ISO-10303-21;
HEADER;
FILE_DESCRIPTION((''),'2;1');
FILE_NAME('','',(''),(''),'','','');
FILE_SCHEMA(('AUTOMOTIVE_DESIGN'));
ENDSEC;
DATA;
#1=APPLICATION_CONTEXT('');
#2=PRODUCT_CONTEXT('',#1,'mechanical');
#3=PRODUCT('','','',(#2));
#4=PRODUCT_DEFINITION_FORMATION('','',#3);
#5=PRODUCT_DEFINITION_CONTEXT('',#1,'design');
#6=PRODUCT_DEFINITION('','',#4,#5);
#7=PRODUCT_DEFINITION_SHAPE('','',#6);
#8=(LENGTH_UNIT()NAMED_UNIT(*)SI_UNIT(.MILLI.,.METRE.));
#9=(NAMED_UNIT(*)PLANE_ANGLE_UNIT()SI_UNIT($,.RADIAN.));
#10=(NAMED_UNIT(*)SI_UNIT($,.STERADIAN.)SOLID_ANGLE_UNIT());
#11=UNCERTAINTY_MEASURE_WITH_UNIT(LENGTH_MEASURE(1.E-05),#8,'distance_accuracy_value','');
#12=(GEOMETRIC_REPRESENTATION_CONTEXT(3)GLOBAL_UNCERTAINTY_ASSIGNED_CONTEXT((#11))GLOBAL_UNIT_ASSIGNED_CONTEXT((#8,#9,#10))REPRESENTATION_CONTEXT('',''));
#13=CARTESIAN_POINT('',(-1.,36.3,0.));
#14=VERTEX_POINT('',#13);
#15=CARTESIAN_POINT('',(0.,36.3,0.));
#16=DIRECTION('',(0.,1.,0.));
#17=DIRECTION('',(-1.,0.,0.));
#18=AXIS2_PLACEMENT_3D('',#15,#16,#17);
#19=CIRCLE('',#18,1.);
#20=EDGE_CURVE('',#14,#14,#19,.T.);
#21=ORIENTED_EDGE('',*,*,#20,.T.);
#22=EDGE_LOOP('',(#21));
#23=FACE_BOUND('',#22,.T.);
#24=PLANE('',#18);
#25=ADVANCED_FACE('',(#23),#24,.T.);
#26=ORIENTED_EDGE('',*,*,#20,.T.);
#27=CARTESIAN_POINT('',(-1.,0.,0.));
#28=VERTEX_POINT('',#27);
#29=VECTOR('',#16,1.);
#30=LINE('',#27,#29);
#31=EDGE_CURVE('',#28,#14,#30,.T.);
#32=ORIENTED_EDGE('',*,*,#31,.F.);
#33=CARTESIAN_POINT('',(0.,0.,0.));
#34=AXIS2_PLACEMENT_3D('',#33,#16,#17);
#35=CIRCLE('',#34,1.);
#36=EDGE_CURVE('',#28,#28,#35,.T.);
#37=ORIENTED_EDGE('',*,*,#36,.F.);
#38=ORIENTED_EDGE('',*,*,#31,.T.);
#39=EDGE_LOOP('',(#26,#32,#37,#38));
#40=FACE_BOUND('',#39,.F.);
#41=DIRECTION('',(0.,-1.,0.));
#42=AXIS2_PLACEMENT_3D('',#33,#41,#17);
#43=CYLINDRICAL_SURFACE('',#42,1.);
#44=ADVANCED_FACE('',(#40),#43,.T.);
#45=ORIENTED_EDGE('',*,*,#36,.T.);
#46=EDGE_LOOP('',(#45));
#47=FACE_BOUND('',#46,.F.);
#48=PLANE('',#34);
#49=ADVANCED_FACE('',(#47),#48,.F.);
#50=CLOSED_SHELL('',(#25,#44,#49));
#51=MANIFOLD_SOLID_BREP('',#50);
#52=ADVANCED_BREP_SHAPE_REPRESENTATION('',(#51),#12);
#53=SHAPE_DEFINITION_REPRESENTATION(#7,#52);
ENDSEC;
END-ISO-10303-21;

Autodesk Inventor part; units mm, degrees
ref_plane "YZ Plane" through (0, 0, 0) normal (1, 0, 0) x (0, 1, 0)
ref_plane "XZ Plane" through (0, 0, 0) normal (0, 1, 0) x (-1, 0, 0)
ref_plane "XY Plane" through (0, 0, 0) normal (0, 0, 1) x (1, 0, 0)
sketch "スケッチ1" plane through (0, 0, 0) normal (0, 1, 0) x (-1, 0, 0)
  circle A0 centre (0, 0) radius 1
  dimension "d0" = 2
extrude "押し出し1" add sketch "スケッチ1" along normal blind 36.3
properties part number "Holder's Shaft" material "CFRP"
